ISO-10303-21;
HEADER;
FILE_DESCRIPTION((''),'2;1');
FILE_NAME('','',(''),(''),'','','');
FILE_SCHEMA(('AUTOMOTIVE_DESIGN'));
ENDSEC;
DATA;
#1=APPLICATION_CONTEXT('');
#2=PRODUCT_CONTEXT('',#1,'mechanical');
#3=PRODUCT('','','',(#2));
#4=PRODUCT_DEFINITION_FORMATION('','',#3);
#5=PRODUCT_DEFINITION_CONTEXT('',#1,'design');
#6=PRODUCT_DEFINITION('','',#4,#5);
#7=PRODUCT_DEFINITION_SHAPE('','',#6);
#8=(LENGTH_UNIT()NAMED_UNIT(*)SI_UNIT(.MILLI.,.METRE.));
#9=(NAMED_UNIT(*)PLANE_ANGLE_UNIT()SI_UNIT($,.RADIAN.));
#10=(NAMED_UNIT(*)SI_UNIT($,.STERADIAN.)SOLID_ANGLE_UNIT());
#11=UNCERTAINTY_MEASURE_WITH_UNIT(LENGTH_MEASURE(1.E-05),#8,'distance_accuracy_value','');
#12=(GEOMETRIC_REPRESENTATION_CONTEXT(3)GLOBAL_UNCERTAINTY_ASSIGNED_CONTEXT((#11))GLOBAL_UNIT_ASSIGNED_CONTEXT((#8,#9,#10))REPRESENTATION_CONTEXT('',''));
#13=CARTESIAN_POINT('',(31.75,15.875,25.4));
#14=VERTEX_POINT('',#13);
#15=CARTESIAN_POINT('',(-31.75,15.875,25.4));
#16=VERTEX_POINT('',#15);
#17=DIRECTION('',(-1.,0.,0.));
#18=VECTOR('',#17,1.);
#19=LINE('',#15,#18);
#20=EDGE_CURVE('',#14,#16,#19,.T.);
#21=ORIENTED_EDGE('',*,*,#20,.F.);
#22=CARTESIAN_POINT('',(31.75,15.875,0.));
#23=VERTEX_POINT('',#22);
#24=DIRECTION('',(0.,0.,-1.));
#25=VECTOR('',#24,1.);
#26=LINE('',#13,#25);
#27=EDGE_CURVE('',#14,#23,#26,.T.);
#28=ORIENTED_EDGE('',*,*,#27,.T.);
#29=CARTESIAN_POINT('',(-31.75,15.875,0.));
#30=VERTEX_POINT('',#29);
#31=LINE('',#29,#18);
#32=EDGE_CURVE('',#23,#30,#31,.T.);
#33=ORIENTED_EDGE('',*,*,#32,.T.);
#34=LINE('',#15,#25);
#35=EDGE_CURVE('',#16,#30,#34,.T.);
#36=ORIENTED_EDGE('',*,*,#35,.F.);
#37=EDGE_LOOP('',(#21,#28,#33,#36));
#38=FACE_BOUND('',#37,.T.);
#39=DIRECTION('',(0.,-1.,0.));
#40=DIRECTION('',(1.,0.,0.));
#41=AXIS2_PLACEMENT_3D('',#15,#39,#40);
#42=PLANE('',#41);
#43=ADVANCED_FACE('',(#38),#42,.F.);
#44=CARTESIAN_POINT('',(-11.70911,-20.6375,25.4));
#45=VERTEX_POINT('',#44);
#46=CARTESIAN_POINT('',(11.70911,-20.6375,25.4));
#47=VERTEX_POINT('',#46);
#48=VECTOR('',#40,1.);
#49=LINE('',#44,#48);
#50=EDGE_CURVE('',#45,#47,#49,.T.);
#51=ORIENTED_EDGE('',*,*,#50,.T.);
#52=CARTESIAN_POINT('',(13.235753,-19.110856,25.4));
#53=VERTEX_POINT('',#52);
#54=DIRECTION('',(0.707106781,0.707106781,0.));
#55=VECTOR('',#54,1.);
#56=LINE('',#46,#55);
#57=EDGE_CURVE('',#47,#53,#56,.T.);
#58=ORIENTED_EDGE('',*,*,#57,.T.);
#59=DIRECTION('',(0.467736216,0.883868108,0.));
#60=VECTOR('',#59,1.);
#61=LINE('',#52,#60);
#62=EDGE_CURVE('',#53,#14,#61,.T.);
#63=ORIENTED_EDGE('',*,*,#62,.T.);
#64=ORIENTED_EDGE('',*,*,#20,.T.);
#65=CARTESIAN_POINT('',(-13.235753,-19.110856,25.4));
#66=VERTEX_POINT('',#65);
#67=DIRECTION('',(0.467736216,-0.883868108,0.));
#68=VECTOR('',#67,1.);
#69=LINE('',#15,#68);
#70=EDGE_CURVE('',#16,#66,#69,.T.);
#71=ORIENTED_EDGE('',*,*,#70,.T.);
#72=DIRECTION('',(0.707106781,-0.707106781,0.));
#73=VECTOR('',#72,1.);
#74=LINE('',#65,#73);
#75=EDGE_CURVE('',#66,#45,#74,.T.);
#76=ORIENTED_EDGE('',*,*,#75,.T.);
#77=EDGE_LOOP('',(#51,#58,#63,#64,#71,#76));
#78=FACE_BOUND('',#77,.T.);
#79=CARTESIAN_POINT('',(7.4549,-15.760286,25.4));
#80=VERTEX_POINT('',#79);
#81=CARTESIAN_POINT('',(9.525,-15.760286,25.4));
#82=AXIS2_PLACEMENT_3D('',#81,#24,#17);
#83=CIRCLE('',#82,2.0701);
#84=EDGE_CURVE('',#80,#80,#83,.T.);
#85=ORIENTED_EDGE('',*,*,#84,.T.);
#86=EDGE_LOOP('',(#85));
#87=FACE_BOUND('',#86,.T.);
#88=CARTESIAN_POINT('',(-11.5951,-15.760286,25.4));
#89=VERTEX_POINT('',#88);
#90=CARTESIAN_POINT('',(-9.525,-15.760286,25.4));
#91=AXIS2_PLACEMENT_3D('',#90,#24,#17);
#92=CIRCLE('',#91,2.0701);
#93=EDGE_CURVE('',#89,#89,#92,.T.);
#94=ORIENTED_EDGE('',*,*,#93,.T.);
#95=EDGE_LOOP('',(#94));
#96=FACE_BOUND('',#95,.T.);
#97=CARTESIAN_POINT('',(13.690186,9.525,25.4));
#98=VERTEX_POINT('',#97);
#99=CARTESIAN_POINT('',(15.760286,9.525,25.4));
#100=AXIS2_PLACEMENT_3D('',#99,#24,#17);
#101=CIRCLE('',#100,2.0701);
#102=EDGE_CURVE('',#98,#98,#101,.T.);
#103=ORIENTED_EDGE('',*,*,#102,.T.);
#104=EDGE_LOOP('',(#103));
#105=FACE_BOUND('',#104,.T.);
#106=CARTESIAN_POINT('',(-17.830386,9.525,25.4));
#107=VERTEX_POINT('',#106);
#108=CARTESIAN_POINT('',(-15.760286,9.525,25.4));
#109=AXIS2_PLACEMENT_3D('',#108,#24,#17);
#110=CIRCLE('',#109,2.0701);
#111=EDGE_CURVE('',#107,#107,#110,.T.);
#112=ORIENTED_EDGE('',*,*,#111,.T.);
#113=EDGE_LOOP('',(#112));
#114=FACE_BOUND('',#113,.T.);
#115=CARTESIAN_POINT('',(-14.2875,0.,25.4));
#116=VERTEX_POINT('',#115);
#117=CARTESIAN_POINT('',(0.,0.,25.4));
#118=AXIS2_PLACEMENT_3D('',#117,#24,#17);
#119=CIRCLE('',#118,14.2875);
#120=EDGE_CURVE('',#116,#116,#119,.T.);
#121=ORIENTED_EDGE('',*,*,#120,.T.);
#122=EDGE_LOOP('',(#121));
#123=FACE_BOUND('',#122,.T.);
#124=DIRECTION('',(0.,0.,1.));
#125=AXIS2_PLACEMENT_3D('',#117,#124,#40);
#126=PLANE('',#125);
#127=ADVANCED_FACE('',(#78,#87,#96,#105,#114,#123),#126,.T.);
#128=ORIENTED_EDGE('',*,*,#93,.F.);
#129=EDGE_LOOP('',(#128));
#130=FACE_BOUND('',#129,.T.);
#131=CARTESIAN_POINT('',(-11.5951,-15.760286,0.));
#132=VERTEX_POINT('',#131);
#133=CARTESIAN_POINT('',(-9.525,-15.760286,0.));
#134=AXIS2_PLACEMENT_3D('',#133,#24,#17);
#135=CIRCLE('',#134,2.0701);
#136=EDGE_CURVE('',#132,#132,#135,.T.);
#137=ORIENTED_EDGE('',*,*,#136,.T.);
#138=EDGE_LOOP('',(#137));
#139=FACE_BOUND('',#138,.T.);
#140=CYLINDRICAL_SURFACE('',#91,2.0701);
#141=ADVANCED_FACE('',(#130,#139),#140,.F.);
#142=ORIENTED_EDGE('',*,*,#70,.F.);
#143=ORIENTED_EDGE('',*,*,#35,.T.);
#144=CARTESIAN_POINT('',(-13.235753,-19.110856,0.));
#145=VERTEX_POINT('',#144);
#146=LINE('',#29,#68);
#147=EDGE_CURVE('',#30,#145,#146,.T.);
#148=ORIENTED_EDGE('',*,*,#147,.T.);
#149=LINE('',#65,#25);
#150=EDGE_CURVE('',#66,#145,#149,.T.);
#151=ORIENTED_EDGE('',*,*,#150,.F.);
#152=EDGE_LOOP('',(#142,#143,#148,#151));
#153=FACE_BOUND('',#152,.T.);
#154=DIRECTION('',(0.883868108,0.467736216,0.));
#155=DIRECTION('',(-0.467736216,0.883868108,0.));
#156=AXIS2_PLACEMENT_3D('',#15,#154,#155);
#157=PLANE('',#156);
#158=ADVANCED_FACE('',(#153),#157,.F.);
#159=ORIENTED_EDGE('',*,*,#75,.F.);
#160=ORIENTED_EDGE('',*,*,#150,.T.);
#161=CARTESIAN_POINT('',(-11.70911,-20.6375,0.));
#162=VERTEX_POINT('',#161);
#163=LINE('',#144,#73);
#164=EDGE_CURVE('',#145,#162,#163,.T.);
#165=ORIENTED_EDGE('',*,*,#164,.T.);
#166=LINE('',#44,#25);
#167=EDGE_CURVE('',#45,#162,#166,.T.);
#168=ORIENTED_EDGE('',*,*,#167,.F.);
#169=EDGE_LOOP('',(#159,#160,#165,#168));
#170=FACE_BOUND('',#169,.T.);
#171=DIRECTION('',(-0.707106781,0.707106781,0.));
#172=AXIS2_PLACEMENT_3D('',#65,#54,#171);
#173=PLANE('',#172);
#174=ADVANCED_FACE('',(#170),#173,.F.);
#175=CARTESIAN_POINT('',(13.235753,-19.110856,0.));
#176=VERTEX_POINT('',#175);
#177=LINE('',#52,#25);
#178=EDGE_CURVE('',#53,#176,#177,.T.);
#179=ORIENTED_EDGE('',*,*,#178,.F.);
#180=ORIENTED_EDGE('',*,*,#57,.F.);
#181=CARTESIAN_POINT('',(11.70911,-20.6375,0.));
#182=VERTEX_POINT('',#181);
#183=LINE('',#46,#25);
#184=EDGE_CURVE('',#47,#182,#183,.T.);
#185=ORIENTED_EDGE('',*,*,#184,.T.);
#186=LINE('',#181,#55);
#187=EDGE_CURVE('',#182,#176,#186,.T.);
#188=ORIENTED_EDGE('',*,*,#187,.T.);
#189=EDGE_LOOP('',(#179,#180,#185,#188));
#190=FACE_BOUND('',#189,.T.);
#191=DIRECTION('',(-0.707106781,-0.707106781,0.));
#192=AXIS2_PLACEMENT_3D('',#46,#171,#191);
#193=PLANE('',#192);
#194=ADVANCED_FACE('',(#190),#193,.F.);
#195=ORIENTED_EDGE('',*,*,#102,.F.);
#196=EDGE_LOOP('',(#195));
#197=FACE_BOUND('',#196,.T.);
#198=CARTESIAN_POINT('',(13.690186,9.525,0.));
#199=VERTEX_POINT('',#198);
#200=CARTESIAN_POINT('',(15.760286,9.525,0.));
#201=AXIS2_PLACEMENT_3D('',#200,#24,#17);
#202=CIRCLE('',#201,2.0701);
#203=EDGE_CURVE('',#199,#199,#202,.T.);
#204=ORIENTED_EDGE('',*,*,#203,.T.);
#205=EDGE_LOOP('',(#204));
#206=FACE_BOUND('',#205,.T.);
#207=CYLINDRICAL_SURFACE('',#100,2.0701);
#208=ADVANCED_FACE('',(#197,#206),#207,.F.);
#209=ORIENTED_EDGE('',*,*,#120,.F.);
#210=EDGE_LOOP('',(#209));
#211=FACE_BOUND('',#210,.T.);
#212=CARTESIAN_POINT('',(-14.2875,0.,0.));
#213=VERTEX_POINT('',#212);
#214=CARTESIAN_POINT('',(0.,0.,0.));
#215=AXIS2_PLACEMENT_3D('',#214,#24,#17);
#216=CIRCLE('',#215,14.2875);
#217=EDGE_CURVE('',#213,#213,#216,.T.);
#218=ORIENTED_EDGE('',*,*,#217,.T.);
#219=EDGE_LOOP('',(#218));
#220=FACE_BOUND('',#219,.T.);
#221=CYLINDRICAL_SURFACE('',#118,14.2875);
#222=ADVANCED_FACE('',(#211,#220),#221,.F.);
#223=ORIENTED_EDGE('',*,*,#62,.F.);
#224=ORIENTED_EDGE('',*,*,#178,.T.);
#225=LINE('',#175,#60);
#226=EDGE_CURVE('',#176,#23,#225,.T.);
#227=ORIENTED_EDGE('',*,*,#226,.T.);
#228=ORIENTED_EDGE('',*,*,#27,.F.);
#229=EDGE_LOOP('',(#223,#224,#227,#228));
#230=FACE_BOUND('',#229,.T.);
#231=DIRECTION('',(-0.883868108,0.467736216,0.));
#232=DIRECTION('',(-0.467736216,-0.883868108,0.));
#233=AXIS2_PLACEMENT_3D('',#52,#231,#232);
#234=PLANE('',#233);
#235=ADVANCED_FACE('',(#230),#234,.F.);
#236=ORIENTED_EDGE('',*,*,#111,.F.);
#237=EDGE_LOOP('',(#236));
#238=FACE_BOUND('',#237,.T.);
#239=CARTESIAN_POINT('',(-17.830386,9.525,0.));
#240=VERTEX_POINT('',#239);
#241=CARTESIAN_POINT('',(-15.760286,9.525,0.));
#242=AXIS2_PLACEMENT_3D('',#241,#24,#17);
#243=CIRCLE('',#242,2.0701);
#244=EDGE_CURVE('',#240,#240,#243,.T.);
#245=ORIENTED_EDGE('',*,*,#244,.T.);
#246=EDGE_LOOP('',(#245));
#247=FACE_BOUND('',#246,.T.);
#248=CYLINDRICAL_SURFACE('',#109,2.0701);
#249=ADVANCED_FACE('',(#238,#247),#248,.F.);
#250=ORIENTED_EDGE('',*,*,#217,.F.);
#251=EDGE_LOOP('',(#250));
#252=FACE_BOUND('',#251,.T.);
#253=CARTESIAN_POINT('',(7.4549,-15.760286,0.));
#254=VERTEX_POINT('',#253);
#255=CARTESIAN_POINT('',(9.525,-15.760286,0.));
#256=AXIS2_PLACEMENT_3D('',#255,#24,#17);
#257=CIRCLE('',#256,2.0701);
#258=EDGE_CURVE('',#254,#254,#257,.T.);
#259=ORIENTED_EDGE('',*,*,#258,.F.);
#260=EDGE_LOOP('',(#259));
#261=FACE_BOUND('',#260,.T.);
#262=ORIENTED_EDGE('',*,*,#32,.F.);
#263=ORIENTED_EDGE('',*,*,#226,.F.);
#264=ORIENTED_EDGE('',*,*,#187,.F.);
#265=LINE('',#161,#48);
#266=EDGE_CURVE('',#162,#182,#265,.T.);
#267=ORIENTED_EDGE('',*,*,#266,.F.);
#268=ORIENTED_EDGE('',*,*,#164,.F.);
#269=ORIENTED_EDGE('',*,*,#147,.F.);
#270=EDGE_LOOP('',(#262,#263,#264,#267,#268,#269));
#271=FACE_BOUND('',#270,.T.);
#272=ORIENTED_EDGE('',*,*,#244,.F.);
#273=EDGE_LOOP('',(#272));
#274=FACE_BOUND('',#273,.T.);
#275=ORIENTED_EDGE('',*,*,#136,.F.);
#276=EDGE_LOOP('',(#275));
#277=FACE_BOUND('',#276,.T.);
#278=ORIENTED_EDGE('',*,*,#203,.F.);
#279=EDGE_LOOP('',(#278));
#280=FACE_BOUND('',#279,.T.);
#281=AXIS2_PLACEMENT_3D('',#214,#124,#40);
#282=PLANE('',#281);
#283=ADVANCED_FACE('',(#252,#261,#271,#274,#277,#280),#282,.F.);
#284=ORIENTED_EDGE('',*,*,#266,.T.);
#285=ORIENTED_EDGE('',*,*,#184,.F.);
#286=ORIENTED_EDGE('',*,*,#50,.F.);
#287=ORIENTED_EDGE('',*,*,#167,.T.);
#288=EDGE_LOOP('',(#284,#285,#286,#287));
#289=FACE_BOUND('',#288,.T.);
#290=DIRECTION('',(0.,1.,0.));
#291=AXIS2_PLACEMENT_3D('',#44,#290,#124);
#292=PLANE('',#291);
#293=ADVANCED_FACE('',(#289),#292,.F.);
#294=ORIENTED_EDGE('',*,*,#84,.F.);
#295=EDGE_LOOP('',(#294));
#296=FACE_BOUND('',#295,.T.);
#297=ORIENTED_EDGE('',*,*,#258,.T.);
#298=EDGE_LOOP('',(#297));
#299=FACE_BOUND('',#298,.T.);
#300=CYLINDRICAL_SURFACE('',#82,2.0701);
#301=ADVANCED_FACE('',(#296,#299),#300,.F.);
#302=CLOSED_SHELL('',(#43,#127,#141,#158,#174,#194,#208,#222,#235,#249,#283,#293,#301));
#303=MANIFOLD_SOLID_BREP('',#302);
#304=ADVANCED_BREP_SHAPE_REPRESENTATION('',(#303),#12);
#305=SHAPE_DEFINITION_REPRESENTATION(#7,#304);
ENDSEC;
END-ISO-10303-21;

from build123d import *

# Parameters (mm, degrees)
BOSS_EXTRUDE1_DEPTH = 25.4
CUT_EXTRUDE1_DEPTH  = 46.597466007


with BuildPart() as part:
    # Sketch1 → Boss-Extrude1 (new body)
    with BuildSketch(Plane.XY):
        Polygon((-31.75, 15.875), (31.75, 15.875), (13.235753401, -19.110856459), (11.70910986, -20.6375), (-11.70910986, -20.6375), (-13.235753401, -19.110856459), align=None)
    extrude(amount=BOSS_EXTRUDE1_DEPTH)

    # Sketch2 → Cut-Extrude1 (cut, through all)
    with BuildSketch(Plane(origin=(0, 0, 0), x_dir=(-1, 0, 0), z_dir=(0, 0, -1))):
        with BuildLine():
            ThreePointArc((-7.4549, -15.76028553), (-9.525, -13.69018553), (-11.5951, -15.76028553))
            ThreePointArc((-11.5951, -15.76028553), (-9.525, -17.83038553), (-7.4549, -15.76028553))
        make_face()
        with BuildLine():
            ThreePointArc((11.5951, -15.76028553), (9.525, -13.69018553), (7.4549, -15.76028553))
            ThreePointArc((7.4549, -15.76028553), (9.525, -17.83038553), (11.5951, -15.76028553))
        make_face()
        with BuildLine():
            ThreePointArc((17.83038553, 9.525), (15.76028553, 11.5951), (13.69018553, 9.525))
            ThreePointArc((13.69018553, 9.525), (15.76028553, 7.4549), (17.83038553, 9.525))
        make_face()
        with BuildLine():
            ThreePointArc((-13.69018553, 9.525), (-15.76028553, 11.5951), (-17.83038553, 9.525))
            ThreePointArc((-17.83038553, 9.525), (-15.76028553, 7.4549), (-13.69018553, 9.525))
        make_face()
        with BuildLine():
            ThreePointArc((-14.2875, 0), (0, -14.2875), (14.2875, 0))
            ThreePointArc((14.2875, 0), (0, 14.2875), (-14.2875, 0))
        make_face()
    extrude(amount=-CUT_EXTRUDE1_DEPTH, mode=Mode.SUBTRACT)


solid = part.part
